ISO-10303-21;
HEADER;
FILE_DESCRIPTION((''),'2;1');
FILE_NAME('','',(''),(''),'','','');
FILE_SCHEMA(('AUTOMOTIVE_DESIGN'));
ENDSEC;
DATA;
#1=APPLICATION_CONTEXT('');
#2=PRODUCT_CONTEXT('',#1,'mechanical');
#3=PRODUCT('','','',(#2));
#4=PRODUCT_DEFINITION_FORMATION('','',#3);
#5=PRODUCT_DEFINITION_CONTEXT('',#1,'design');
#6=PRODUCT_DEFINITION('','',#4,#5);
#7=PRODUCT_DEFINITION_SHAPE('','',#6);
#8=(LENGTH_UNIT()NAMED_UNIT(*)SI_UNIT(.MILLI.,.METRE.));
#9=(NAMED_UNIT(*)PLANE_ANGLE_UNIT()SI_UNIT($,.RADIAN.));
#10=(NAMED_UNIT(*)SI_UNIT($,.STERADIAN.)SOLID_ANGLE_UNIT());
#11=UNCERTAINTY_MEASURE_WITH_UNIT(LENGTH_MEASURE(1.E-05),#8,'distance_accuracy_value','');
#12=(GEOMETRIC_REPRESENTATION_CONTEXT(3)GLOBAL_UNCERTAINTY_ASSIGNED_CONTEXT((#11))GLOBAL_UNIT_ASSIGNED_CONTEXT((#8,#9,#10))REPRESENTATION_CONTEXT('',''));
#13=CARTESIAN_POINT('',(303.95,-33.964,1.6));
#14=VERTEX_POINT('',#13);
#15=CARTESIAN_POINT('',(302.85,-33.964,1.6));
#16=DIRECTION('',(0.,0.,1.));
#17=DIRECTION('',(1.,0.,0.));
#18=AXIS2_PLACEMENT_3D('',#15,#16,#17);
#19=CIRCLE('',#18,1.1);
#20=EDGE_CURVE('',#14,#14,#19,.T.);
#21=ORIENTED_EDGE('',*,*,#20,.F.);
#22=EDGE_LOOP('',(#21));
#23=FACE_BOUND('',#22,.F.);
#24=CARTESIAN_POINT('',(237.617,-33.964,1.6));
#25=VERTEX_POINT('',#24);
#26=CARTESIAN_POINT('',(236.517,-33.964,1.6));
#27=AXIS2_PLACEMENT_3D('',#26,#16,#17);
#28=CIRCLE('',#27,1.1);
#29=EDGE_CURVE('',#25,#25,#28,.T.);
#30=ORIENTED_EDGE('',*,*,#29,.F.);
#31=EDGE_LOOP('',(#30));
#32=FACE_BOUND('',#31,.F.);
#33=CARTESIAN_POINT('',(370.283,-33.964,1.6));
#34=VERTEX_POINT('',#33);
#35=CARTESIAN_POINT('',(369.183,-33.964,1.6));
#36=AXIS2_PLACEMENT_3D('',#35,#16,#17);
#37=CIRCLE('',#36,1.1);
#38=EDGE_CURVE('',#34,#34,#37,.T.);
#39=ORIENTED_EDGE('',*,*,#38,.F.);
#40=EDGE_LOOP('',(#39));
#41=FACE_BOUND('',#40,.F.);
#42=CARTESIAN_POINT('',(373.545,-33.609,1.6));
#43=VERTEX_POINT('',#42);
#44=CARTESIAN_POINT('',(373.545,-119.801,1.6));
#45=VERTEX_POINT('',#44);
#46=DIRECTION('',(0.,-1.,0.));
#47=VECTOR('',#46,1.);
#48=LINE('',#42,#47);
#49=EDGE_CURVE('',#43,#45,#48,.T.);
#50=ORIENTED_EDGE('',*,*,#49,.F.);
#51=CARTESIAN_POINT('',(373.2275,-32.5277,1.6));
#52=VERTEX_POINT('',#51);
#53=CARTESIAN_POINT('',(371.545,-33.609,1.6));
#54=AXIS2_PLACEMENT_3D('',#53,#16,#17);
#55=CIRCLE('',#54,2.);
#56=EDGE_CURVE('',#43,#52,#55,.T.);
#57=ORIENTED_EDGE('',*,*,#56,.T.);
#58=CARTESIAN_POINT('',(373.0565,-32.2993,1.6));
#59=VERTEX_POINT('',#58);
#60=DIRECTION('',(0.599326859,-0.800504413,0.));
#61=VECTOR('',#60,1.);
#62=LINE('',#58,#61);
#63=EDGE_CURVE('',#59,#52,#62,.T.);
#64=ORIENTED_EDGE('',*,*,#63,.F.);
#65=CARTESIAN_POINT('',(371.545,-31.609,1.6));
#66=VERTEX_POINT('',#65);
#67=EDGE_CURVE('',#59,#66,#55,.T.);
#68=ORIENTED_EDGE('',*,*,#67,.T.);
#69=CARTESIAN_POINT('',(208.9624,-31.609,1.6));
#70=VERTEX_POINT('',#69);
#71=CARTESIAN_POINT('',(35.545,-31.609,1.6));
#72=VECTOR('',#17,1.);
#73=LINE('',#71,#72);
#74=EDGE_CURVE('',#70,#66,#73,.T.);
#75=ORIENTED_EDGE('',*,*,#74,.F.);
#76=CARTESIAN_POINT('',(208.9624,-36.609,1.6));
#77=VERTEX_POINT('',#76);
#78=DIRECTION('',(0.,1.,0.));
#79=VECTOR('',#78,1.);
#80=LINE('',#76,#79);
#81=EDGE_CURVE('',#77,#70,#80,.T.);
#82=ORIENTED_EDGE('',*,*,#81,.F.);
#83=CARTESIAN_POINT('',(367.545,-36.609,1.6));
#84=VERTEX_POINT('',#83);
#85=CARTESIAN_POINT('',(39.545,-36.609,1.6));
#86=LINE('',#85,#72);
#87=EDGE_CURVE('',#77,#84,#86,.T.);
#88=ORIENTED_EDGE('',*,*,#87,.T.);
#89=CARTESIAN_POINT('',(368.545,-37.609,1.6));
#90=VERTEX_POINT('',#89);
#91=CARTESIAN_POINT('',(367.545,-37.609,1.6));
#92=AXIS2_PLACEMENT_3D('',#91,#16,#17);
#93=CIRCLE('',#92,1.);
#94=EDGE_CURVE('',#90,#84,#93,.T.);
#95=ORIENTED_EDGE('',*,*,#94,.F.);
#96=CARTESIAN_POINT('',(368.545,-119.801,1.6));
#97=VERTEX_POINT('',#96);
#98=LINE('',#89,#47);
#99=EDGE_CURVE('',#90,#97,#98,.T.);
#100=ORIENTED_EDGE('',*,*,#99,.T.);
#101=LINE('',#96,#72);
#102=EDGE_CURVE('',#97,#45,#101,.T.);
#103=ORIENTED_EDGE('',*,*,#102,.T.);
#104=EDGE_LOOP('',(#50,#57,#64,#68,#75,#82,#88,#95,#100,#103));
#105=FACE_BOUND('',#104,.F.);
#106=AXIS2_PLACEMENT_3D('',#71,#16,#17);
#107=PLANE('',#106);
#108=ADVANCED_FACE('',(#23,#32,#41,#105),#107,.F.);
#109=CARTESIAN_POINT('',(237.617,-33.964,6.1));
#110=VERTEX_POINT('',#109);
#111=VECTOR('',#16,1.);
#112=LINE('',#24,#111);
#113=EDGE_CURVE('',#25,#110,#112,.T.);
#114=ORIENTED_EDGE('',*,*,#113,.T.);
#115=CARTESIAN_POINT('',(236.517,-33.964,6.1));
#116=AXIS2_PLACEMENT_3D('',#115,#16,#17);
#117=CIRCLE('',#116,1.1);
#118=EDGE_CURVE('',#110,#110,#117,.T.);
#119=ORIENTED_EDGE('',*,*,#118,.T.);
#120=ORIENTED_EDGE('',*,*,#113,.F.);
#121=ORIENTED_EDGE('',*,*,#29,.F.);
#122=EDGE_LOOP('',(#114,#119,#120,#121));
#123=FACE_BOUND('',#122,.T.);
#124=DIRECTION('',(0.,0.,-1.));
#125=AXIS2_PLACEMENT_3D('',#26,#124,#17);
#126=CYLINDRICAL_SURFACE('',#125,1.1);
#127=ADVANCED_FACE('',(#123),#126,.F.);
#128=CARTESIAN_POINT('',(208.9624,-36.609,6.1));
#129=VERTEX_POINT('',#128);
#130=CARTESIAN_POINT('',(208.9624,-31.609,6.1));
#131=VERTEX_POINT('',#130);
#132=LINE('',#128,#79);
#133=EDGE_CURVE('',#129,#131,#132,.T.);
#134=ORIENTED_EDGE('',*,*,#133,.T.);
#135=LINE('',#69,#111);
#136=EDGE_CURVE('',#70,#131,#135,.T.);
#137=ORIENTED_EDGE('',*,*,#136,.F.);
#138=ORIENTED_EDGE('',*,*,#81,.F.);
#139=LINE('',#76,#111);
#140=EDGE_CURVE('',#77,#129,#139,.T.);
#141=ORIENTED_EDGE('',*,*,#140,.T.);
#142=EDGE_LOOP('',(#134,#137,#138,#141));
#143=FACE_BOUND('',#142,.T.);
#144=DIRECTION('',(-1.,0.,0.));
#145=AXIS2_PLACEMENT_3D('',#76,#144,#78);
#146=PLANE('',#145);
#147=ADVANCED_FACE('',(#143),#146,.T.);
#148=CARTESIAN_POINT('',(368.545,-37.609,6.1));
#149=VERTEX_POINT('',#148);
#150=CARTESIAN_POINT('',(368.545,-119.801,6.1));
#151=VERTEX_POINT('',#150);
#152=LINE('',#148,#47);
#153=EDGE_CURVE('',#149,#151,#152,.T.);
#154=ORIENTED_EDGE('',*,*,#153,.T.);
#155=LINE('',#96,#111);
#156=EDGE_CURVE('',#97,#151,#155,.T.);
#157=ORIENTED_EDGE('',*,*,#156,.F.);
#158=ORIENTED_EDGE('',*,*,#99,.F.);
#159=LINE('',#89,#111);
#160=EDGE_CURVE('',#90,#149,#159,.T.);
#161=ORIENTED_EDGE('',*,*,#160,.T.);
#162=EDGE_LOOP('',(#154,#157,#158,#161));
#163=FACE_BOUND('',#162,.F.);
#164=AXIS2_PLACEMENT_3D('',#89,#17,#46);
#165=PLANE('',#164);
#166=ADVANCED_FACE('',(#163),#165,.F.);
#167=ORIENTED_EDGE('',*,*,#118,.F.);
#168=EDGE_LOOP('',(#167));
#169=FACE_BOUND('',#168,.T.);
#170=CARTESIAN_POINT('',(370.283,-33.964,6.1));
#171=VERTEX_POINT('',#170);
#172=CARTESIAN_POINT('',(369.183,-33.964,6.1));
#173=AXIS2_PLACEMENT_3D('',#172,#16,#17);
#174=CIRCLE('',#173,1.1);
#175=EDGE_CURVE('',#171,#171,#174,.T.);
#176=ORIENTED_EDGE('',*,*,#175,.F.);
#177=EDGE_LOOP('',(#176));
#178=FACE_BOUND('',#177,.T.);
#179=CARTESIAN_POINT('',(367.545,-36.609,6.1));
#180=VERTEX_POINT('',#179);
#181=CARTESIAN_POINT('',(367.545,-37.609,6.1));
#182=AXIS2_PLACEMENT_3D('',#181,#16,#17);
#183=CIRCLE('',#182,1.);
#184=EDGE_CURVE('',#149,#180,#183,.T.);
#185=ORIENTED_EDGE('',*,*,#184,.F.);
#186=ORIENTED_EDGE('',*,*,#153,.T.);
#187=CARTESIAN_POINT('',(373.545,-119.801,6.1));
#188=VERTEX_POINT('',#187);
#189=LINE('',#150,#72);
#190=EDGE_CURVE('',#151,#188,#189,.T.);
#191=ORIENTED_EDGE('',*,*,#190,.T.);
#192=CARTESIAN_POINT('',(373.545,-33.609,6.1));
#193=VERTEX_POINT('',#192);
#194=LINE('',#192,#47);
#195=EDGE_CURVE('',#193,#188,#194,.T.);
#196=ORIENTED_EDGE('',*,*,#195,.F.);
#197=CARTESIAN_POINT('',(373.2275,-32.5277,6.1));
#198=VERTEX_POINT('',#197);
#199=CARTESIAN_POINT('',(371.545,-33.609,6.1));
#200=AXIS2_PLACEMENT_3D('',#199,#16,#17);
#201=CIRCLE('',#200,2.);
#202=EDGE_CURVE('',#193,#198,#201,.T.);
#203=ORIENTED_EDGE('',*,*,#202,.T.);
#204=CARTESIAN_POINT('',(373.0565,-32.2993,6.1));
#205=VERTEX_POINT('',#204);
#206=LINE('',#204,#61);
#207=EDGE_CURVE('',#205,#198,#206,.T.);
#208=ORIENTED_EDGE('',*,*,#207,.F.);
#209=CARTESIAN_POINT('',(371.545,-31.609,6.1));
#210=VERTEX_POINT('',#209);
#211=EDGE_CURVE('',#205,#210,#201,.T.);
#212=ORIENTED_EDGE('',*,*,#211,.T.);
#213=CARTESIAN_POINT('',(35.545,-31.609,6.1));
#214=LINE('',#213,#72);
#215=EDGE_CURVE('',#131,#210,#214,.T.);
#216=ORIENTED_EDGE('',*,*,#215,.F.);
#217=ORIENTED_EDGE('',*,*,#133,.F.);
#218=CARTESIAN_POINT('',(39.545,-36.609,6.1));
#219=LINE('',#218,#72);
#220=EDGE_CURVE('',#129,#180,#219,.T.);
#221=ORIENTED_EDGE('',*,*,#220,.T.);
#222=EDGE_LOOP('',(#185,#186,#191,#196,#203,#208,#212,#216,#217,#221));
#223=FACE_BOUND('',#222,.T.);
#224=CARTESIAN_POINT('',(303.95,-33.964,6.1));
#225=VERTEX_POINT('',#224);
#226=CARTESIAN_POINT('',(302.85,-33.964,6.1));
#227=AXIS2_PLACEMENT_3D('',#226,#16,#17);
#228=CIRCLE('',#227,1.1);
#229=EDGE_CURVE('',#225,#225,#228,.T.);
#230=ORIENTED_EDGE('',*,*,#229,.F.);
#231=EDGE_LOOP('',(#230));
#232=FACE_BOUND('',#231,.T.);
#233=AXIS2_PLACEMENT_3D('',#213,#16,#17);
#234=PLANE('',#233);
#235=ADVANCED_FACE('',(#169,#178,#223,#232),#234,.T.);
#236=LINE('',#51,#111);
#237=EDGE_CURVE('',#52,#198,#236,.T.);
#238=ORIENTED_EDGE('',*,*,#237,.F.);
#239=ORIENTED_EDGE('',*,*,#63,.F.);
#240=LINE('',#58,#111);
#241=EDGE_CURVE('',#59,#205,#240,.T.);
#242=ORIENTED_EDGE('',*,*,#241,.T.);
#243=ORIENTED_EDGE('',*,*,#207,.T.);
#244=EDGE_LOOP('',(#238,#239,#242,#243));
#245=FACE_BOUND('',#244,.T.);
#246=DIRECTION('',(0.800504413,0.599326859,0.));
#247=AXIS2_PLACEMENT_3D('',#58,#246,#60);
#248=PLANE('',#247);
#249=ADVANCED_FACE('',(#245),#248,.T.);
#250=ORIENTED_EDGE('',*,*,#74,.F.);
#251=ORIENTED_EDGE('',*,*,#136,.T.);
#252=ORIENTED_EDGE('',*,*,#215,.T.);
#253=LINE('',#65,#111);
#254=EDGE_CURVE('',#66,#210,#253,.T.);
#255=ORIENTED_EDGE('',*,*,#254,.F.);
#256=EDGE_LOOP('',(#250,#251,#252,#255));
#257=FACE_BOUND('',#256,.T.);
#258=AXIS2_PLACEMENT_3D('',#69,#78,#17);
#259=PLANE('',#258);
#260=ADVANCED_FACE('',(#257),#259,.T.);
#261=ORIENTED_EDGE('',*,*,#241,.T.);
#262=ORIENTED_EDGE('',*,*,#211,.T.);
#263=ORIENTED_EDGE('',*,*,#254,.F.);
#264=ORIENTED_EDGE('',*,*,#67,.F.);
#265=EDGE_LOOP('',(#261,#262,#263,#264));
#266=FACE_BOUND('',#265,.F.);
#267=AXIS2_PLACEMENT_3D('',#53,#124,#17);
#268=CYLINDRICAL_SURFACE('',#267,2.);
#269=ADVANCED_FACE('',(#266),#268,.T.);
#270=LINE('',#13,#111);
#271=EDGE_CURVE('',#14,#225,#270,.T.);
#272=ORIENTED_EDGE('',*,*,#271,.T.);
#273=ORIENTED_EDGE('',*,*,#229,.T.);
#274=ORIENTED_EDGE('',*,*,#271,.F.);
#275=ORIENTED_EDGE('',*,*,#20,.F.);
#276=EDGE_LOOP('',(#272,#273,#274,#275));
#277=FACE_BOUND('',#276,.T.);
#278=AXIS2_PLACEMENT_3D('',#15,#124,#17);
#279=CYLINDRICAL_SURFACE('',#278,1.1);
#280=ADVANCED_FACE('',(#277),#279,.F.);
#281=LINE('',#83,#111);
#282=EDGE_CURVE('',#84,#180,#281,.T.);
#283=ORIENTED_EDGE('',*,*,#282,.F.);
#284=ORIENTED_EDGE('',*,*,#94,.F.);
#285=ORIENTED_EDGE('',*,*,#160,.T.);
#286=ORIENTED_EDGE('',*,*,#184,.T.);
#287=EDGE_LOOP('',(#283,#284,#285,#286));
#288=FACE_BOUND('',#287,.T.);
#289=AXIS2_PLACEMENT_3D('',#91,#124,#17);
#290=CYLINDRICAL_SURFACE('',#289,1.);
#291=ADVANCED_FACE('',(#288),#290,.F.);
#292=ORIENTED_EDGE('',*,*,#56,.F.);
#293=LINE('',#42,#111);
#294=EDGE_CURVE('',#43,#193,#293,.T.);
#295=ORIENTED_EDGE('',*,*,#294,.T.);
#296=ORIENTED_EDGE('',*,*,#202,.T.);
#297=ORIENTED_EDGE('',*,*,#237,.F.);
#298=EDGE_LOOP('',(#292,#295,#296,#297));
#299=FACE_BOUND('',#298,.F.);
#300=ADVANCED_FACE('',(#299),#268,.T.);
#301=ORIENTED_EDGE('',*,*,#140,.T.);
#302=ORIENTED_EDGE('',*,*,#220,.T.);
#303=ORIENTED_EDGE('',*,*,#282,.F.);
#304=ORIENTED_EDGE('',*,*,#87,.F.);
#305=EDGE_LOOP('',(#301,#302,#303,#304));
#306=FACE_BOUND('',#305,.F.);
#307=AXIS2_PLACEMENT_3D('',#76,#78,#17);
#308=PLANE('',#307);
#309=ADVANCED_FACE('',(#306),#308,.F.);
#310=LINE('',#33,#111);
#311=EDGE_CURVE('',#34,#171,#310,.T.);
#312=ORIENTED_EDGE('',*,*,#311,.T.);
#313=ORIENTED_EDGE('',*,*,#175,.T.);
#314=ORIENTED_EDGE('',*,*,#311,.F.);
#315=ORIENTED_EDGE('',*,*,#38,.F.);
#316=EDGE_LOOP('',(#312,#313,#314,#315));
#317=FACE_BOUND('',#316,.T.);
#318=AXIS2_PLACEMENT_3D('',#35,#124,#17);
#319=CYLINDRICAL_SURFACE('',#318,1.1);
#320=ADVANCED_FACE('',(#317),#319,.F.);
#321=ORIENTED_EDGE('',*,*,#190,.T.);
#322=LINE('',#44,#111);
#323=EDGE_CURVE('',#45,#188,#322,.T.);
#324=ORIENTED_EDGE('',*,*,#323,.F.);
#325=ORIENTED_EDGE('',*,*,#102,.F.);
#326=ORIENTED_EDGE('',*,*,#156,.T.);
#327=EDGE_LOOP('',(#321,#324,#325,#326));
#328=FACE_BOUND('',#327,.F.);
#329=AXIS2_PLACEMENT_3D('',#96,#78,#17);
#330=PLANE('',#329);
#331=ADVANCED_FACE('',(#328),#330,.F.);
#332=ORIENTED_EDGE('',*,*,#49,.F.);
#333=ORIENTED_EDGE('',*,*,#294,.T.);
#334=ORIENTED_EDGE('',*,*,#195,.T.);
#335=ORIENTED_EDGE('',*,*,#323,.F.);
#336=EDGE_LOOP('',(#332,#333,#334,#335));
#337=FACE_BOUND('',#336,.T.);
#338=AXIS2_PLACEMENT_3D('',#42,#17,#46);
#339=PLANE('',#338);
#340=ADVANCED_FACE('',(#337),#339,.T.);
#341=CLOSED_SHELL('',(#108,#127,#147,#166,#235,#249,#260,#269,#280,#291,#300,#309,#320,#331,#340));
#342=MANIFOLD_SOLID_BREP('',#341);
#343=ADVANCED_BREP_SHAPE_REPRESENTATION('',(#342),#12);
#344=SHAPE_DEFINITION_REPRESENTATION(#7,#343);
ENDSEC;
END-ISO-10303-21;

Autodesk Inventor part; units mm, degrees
ref_plane "YZ Plane" through (0, 0, 0) normal (1, 0, 0) x (0, 1, 0)
ref_plane "XZ Plane" through (0, 0, 0) normal (0, 1, 0) x (-1, 0, 0)
ref_plane "XY Plane" through (0, 0, 0) normal (0, 0, 1) x (1, 0, 0)
ref_plane "Work Plane2" through (35.545, -31.609, 1.6) normal (0, 0, 1) x (1, 0, 0)
ref_plane "Work Plane1" through (35.545, -31.609, 1.6) normal (0, 0, 1) x (1, 0, 0)
sketch "Sketch1" plane through (35.545, -31.609, 1.6) normal (0, 0, 1) x (1, 0, 0)
  line L0 (0, 0) -> (336, 0) projected
  line L1 (-2, -129) -> (-2, -2) projected
  line L2 (-1.6825, -0.9187) -> (-1.5115, -0.6903) projected
  arc A0 (0, 0) -> (-2, -2) centre (0, -2) ccw
  line L3 (338, -2) -> (338, -129) projected
  line L4 (337.5115, -0.6903) -> (337.6825, -0.9187) projected
  arc A1 (338, -2) -> (336, 0) centre (336, -2) ccw
  line L5 (336, -131) -> (0, -131) projected
  line L6 (337.6825, -130.0813) -> (337.5115, -130.3097) projected
  arc A2 (336, -131) -> (338, -129) centre (336, -129) ccw
  arc A3 (-2, -129) -> (0, -131) centre (0, -129) ccw
  circle A4 centre (1.98, -128.63) radius 1.1 projected
  circle A5 centre (1.98, -128.63) radius 1.1
  circle A6 centre (68.313, -128.63) radius 1.1 projected
  circle A7 centre (134.646, -128.63) radius 1.1 projected
  circle A8 centre (134.646, -128.63) radius 1.1
  circle A9 centre (68.313, -128.63) radius 1.1
  circle A10 centre (200.979, -128.63) radius 1.1 projected
  circle A11 centre (267.312, -128.63) radius 1.1 projected
  circle A12 centre (333.645, -128.63) radius 1.1 projected
  circle A13 centre (333.645, -128.63) radius 1.1
  circle A14 centre (267.312, -128.63) radius 1.1
  circle A15 centre (200.979, -128.63) radius 1.1
  circle A16 centre (333.638, -2.355) radius 1.1 projected
  circle A17 centre (1.973, -2.355) radius 1.1 projected
  circle A18 centre (68.306, -2.355) radius 1.1 projected
  circle A19 centre (134.639, -2.355) radius 1.1 projected
  circle A20 centre (200.972, -2.355) radius 1.1 projected
  circle A21 centre (267.305, -2.355) radius 1.1 projected
  circle A22 centre (333.645, -2.355) radius 1.093
  circle A23 centre (267.305, -2.355) radius 1.1
  circle A24 centre (200.972, -2.355) radius 1.1
  circle A25 centre (134.639, -2.355) radius 1.1
  circle A26 centre (68.306, -2.355) radius 1.1
  circle A27 centre (1.973, -2.355) radius 1.1
  line L7 (3, -4.2357) -> (125.2758, -4.2357) construction
  line L8 (4, -5) -> (332, -5)
  line L9 (333, -6) -> (333, -125)
  line L10 (332, -126) -> (4, -126)
  line L11 (3, -125) -> (3, -6)
  arc A28 (4, -5) -> (3, -6) centre (4, -6) ccw
  arc A29 (333, -6) -> (332, -5) centre (332, -6) ccw
  arc A30 (332, -126) -> (333, -125) centre (332, -125) ccw
  arc A31 (3, -125) -> (4, -126) centre (4, -125) ccw
  line L12 (162.5077, 0) -> (162.5077, -5)
  line L13 (173.4174, -5) -> (173.4174, 0)
  circle A32 centre (320.737, -95.692) radius 0.175 projected
  line L14 (333, -88.192) -> (338, -88.192)
  line L15 (333, -102.192) -> (338, -102.192)
  line L16 (257.6125, -126) -> (315.0362, -126)
  line L17 (315.0362, -126) -> (315.0362, -126.7604)
  line L18 (315.0362, -126.7604) -> (257.6125, -126.7604)
  line L19 (257.6125, -126.7604) -> (257.6125, -126)
  point P0 (-35.545, 31.609)
  point P1 (-1.5115, -130.3097)
  point P2 (335.5, -88.192)
  point P3 (0, -131)
  point P4 (337.6825, -130.0813)
  point P5 (-1.6825, -0.9187)
  point P6 (337.6825, -0.9187)
  dimension "d2" = 5
  dimension "d3" = 5
  dimension "d4" = 5
  dimension "d5" = 5
  dimension "d6" = 1
  dimension "d7" = 1
  dimension "d8" = 1
  dimension "d9" = 1
extrude "Extrusion3" add sketch "Sketch1" along normal blind 4.5 contours L0 A1 L4 L3 L14 L9 A29 L8 L13
properties part number "open_liner_S"
